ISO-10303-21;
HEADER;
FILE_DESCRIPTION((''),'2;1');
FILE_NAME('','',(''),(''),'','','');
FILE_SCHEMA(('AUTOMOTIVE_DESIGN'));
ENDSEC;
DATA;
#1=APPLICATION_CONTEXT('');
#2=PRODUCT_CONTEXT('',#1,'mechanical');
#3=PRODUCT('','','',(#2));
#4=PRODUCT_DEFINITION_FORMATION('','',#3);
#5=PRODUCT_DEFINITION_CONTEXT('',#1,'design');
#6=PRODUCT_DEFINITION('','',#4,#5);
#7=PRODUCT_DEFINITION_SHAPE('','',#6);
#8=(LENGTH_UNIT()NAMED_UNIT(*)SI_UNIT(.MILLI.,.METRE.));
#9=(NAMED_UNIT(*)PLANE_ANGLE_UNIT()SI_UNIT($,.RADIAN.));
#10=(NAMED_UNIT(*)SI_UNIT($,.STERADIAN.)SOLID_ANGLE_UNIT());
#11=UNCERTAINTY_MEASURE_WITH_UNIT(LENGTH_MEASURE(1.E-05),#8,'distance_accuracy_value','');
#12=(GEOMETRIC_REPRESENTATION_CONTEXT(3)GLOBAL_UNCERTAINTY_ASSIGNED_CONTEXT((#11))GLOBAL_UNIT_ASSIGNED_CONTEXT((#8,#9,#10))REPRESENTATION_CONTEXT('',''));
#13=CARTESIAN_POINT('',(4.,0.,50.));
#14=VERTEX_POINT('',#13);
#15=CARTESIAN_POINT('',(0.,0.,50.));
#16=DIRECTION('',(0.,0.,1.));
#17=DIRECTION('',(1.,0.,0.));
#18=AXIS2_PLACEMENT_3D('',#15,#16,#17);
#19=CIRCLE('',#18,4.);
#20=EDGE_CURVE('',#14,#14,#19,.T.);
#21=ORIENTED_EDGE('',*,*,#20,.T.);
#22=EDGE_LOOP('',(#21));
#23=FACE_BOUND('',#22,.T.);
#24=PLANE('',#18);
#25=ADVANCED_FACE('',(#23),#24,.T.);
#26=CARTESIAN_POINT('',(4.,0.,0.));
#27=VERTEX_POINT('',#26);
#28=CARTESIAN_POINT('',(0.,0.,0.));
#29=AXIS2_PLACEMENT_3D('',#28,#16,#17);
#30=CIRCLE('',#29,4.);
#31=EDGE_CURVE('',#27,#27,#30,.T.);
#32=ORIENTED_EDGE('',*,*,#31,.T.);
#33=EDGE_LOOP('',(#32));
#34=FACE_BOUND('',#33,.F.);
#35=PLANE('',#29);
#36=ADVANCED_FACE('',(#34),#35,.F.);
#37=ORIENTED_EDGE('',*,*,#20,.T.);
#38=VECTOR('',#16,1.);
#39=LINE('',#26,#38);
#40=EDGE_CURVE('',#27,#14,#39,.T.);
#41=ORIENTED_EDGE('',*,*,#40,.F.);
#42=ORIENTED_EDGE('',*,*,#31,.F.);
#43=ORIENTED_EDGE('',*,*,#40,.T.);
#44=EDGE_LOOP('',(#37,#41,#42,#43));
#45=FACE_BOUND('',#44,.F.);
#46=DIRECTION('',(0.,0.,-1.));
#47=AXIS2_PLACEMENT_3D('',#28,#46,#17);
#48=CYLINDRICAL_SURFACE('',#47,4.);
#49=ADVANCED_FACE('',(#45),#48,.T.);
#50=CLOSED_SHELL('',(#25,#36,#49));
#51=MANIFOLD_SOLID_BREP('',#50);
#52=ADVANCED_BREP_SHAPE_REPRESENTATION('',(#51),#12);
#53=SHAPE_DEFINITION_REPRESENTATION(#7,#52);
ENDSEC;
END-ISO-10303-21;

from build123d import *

# Parameters (mm, degrees)
SKETCH_1_R      = 4
EXTRUDE_1_DEPTH = 50


with BuildPart() as part:
    # 草圖1 → 填料-伸長1 (new body)
    with BuildSketch(Plane.XY):
        Circle(SKETCH_1_R)
    extrude(amount=EXTRUDE_1_DEPTH)


solid = part.part
